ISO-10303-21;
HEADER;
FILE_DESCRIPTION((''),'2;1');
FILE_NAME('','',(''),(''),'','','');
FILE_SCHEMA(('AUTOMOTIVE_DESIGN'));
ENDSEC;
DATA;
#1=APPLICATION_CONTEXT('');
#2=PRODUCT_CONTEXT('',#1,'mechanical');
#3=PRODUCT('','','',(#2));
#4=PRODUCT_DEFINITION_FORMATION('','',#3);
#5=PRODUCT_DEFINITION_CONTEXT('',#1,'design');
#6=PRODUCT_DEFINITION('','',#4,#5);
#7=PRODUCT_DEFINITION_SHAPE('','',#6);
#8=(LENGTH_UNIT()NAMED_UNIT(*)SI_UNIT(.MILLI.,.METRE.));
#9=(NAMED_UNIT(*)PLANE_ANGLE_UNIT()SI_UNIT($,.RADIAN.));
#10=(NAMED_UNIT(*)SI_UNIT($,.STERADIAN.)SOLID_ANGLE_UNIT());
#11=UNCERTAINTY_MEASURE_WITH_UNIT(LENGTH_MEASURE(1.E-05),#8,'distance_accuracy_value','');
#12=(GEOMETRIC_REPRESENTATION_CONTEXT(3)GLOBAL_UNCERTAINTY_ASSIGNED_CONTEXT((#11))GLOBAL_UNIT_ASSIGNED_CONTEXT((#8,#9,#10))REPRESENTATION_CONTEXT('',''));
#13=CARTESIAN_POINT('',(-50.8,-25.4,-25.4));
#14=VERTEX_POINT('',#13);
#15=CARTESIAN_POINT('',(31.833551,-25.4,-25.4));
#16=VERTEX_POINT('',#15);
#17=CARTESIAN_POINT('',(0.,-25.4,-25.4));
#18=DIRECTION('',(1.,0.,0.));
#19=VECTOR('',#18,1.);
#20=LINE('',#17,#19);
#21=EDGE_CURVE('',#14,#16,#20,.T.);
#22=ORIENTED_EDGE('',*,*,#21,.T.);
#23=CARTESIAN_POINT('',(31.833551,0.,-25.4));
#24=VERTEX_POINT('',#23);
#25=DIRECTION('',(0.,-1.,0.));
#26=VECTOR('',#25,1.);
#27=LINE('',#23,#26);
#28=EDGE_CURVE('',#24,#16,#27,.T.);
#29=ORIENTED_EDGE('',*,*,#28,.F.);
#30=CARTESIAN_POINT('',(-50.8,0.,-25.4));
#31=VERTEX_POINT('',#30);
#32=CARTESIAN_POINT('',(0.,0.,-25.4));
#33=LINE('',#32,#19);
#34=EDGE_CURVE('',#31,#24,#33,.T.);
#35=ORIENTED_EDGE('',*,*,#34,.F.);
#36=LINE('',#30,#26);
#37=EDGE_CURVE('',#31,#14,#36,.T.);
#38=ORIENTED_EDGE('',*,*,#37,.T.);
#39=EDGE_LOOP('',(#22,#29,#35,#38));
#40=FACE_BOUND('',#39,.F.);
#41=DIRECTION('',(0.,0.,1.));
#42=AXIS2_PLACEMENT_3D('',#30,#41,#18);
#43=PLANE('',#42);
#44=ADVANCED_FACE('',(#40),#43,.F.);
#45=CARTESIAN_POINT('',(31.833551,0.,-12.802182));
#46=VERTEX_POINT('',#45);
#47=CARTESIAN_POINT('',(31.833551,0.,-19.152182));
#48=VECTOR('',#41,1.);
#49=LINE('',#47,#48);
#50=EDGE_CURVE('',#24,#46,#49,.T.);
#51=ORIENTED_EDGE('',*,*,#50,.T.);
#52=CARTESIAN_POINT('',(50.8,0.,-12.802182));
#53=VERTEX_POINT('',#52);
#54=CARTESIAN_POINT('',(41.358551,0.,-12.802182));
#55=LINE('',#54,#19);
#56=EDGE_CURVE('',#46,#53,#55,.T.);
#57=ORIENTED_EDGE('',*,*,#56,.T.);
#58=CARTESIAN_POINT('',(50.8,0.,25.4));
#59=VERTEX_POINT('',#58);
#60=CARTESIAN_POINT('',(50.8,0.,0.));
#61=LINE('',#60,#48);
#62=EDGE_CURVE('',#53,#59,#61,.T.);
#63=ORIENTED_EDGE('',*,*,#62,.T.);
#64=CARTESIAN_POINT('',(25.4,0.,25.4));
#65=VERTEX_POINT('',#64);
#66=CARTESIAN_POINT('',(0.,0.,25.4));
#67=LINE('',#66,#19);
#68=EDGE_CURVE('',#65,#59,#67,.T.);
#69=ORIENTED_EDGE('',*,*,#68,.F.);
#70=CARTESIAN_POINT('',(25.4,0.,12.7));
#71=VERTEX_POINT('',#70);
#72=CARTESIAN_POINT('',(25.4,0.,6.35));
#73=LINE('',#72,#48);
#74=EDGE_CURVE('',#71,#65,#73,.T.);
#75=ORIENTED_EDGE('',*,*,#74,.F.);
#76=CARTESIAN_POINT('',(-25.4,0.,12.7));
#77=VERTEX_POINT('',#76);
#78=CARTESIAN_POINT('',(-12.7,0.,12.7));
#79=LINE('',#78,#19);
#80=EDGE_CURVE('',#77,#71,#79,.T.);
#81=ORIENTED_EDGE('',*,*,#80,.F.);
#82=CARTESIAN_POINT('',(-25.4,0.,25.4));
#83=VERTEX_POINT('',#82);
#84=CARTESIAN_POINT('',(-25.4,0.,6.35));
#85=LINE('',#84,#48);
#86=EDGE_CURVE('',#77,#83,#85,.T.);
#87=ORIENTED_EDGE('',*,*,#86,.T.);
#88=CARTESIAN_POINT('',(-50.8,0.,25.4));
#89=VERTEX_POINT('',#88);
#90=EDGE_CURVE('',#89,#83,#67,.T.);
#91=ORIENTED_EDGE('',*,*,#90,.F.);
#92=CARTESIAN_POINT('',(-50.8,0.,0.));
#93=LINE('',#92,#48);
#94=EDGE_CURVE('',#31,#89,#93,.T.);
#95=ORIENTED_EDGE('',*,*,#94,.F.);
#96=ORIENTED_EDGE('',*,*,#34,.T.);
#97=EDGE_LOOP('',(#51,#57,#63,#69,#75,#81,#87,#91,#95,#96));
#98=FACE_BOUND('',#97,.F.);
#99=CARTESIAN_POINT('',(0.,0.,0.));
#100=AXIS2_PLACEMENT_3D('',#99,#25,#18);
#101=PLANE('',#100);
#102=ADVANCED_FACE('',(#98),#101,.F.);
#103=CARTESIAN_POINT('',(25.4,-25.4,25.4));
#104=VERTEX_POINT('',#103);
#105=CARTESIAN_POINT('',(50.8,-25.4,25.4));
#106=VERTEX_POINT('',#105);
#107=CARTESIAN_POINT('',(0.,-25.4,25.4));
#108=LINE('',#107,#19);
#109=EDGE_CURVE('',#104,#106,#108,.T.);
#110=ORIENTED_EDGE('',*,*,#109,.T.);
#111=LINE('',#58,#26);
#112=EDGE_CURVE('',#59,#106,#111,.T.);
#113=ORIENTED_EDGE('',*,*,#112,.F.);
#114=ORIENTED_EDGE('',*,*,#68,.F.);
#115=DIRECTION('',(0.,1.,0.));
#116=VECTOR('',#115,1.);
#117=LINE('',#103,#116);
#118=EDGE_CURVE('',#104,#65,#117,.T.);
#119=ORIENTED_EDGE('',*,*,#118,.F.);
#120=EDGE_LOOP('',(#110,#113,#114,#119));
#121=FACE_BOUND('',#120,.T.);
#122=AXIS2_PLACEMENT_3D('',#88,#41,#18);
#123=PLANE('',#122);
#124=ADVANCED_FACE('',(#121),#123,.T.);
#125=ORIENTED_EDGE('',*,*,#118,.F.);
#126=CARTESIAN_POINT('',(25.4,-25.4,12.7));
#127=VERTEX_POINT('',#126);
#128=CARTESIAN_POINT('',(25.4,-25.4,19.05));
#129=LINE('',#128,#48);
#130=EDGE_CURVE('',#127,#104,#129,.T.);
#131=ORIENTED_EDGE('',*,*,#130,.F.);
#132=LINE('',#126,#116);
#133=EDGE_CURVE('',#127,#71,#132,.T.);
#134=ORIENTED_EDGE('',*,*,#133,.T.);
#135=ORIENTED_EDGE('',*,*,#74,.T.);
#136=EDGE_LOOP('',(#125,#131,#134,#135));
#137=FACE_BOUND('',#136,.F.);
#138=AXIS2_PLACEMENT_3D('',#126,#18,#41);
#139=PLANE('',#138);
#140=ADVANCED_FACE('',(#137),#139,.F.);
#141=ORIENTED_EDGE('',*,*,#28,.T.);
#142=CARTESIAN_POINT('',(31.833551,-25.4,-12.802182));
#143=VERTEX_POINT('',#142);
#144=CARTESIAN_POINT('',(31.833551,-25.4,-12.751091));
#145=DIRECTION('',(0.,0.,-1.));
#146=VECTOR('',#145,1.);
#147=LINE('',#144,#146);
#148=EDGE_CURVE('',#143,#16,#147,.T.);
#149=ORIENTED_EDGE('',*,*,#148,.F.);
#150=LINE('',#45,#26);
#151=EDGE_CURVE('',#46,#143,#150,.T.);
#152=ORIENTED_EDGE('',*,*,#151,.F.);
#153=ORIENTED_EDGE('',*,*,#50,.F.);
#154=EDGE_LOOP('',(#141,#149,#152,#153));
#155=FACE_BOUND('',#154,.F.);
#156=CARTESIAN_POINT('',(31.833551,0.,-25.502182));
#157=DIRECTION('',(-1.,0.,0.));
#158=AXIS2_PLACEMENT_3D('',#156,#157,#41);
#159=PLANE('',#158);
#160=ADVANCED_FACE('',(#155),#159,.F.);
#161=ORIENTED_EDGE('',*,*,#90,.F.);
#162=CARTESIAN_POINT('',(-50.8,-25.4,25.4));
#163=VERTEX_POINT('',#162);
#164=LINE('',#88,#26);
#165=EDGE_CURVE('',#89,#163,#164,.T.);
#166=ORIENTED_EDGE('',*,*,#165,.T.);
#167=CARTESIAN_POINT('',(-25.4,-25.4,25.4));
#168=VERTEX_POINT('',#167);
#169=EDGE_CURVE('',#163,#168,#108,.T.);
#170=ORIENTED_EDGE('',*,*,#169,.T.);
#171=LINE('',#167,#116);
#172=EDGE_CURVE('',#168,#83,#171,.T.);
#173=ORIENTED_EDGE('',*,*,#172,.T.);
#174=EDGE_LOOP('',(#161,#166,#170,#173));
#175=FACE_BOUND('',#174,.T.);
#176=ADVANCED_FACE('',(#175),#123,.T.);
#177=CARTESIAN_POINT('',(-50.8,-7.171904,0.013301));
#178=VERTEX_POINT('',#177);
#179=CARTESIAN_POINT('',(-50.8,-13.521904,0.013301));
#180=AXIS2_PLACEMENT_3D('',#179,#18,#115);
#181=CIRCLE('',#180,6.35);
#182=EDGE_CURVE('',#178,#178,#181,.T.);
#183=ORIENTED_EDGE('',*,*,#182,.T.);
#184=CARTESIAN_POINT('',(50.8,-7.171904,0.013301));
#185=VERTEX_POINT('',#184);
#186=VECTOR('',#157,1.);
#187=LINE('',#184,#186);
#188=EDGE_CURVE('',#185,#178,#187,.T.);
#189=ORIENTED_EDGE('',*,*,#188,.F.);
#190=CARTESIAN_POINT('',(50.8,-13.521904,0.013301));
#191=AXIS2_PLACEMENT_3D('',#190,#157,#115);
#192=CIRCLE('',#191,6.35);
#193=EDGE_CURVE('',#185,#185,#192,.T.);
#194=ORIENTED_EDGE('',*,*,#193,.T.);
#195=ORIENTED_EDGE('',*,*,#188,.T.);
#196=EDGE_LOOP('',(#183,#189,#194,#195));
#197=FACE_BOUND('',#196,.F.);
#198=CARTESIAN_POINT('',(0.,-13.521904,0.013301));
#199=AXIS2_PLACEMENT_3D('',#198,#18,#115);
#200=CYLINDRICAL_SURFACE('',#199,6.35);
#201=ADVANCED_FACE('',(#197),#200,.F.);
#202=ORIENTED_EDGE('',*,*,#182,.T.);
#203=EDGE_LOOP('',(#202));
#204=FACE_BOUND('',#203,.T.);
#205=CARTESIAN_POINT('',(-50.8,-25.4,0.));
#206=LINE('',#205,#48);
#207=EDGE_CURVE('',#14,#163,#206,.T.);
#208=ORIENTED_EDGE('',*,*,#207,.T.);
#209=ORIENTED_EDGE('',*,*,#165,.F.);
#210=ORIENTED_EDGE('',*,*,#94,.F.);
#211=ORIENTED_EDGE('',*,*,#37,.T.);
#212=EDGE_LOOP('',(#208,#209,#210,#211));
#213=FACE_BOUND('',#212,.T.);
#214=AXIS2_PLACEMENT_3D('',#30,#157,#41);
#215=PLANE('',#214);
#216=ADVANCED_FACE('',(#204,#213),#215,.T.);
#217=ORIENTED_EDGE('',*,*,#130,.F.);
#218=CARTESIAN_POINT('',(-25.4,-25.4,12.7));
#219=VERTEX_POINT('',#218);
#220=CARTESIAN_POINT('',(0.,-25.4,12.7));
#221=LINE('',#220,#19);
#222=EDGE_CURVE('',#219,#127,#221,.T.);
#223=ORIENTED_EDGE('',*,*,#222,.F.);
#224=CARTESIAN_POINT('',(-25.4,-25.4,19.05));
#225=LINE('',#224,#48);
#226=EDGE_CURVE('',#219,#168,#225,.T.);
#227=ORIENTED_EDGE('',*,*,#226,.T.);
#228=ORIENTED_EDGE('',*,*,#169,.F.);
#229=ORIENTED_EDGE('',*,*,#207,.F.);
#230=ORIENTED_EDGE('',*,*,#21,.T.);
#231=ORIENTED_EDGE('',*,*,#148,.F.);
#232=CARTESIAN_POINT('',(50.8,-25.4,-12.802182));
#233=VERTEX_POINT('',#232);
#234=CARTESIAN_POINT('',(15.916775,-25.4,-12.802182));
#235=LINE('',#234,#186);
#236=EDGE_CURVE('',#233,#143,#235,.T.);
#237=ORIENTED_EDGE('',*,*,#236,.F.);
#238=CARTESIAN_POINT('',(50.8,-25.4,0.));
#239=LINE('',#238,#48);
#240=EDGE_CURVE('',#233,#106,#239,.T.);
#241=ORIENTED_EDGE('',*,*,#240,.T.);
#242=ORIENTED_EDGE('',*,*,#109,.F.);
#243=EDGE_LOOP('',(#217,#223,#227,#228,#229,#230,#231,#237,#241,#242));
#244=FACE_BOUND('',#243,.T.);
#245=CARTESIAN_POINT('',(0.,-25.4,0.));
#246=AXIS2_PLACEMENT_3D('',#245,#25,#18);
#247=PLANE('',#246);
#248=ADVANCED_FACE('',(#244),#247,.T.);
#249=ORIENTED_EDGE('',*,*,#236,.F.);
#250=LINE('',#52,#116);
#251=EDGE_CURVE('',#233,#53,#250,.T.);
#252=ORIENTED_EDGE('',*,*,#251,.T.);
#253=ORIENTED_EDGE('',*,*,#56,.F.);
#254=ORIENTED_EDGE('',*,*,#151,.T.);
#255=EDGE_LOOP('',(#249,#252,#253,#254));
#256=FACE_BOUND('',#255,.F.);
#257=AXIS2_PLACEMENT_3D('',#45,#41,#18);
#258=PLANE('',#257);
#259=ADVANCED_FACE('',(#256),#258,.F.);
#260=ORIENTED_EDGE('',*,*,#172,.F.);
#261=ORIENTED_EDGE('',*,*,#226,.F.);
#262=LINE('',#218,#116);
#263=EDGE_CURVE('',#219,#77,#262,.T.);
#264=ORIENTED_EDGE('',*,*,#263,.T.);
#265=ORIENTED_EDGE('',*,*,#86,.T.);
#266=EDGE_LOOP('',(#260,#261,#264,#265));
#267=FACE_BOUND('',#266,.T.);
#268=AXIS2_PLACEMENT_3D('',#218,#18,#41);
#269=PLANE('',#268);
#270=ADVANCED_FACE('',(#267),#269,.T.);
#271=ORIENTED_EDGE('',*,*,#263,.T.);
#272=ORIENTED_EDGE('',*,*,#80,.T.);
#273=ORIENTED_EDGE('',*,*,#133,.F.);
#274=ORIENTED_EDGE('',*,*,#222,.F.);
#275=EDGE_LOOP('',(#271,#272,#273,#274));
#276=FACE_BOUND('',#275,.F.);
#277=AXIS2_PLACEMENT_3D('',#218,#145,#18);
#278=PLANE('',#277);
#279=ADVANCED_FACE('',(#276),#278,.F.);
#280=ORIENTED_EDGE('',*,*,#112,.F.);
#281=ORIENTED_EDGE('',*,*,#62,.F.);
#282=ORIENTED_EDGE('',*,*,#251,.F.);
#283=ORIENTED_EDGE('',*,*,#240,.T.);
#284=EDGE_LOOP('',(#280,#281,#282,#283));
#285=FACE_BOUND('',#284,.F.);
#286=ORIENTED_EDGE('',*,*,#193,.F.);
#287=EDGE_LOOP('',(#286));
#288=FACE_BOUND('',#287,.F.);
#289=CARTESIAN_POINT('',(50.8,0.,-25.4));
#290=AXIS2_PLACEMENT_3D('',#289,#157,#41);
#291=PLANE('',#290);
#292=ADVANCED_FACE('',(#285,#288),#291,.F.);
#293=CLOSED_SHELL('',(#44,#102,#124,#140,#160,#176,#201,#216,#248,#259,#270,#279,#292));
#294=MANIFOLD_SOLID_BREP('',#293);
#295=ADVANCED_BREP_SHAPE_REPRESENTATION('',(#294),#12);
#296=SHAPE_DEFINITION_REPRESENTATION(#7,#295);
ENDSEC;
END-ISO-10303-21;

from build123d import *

# Parameters (mm, degrees)
F0_W     = 101.6
F0_H     = 50.8
F1_DEPTH = 25.4
F2_W     = 50.8
F2_H     = 12.7
F3_DEPTH = 25.401
F4_W     = 19.05
F4_H     = 12.7
F5_DEPTH = 25.401
F6_R     = 6.35
F7_DEPTH = 50.801
F8_DEPTH = 50.801


with BuildPart() as f1:
    # F0 (on Front) → F1 (new body)
    with BuildSketch(Plane.XZ):
        Rectangle(F0_W, F0_H)
    extrude(amount=F1_DEPTH)

    # F2 (on face) → F3 (cut, through all)
    with BuildSketch(Plane.XZ.offset(25.4)):
        with Locations((0, 19.05)):
            Rectangle(F2_W, F2_H)
    extrude(amount=-F3_DEPTH, mode=Mode.SUBTRACT)

    # F4 (on Front) → F5 (cut, through all)
    with BuildSketch(Plane.XZ):
        with Locations((41.358551, -19.152182)):
            Rectangle(F4_W, F4_H)
    extrude(amount=F5_DEPTH, mode=Mode.SUBTRACT)

    # F6 (on Right) → F7 (cut, through all)
    with BuildSketch(Plane.YZ):
        with Locations((-13.521904, 0.013301)):
            Circle(F6_R)
    extrude(amount=-F7_DEPTH, mode=Mode.SUBTRACT)

    # F6 (on Right) → F8 (cut, through all)
    with BuildSketch(Plane.YZ):
        with Locations((-13.521904, 0.013301)):
            Circle(F6_R)
    extrude(amount=F8_DEPTH, mode=Mode.SUBTRACT)


solid = f1.part
